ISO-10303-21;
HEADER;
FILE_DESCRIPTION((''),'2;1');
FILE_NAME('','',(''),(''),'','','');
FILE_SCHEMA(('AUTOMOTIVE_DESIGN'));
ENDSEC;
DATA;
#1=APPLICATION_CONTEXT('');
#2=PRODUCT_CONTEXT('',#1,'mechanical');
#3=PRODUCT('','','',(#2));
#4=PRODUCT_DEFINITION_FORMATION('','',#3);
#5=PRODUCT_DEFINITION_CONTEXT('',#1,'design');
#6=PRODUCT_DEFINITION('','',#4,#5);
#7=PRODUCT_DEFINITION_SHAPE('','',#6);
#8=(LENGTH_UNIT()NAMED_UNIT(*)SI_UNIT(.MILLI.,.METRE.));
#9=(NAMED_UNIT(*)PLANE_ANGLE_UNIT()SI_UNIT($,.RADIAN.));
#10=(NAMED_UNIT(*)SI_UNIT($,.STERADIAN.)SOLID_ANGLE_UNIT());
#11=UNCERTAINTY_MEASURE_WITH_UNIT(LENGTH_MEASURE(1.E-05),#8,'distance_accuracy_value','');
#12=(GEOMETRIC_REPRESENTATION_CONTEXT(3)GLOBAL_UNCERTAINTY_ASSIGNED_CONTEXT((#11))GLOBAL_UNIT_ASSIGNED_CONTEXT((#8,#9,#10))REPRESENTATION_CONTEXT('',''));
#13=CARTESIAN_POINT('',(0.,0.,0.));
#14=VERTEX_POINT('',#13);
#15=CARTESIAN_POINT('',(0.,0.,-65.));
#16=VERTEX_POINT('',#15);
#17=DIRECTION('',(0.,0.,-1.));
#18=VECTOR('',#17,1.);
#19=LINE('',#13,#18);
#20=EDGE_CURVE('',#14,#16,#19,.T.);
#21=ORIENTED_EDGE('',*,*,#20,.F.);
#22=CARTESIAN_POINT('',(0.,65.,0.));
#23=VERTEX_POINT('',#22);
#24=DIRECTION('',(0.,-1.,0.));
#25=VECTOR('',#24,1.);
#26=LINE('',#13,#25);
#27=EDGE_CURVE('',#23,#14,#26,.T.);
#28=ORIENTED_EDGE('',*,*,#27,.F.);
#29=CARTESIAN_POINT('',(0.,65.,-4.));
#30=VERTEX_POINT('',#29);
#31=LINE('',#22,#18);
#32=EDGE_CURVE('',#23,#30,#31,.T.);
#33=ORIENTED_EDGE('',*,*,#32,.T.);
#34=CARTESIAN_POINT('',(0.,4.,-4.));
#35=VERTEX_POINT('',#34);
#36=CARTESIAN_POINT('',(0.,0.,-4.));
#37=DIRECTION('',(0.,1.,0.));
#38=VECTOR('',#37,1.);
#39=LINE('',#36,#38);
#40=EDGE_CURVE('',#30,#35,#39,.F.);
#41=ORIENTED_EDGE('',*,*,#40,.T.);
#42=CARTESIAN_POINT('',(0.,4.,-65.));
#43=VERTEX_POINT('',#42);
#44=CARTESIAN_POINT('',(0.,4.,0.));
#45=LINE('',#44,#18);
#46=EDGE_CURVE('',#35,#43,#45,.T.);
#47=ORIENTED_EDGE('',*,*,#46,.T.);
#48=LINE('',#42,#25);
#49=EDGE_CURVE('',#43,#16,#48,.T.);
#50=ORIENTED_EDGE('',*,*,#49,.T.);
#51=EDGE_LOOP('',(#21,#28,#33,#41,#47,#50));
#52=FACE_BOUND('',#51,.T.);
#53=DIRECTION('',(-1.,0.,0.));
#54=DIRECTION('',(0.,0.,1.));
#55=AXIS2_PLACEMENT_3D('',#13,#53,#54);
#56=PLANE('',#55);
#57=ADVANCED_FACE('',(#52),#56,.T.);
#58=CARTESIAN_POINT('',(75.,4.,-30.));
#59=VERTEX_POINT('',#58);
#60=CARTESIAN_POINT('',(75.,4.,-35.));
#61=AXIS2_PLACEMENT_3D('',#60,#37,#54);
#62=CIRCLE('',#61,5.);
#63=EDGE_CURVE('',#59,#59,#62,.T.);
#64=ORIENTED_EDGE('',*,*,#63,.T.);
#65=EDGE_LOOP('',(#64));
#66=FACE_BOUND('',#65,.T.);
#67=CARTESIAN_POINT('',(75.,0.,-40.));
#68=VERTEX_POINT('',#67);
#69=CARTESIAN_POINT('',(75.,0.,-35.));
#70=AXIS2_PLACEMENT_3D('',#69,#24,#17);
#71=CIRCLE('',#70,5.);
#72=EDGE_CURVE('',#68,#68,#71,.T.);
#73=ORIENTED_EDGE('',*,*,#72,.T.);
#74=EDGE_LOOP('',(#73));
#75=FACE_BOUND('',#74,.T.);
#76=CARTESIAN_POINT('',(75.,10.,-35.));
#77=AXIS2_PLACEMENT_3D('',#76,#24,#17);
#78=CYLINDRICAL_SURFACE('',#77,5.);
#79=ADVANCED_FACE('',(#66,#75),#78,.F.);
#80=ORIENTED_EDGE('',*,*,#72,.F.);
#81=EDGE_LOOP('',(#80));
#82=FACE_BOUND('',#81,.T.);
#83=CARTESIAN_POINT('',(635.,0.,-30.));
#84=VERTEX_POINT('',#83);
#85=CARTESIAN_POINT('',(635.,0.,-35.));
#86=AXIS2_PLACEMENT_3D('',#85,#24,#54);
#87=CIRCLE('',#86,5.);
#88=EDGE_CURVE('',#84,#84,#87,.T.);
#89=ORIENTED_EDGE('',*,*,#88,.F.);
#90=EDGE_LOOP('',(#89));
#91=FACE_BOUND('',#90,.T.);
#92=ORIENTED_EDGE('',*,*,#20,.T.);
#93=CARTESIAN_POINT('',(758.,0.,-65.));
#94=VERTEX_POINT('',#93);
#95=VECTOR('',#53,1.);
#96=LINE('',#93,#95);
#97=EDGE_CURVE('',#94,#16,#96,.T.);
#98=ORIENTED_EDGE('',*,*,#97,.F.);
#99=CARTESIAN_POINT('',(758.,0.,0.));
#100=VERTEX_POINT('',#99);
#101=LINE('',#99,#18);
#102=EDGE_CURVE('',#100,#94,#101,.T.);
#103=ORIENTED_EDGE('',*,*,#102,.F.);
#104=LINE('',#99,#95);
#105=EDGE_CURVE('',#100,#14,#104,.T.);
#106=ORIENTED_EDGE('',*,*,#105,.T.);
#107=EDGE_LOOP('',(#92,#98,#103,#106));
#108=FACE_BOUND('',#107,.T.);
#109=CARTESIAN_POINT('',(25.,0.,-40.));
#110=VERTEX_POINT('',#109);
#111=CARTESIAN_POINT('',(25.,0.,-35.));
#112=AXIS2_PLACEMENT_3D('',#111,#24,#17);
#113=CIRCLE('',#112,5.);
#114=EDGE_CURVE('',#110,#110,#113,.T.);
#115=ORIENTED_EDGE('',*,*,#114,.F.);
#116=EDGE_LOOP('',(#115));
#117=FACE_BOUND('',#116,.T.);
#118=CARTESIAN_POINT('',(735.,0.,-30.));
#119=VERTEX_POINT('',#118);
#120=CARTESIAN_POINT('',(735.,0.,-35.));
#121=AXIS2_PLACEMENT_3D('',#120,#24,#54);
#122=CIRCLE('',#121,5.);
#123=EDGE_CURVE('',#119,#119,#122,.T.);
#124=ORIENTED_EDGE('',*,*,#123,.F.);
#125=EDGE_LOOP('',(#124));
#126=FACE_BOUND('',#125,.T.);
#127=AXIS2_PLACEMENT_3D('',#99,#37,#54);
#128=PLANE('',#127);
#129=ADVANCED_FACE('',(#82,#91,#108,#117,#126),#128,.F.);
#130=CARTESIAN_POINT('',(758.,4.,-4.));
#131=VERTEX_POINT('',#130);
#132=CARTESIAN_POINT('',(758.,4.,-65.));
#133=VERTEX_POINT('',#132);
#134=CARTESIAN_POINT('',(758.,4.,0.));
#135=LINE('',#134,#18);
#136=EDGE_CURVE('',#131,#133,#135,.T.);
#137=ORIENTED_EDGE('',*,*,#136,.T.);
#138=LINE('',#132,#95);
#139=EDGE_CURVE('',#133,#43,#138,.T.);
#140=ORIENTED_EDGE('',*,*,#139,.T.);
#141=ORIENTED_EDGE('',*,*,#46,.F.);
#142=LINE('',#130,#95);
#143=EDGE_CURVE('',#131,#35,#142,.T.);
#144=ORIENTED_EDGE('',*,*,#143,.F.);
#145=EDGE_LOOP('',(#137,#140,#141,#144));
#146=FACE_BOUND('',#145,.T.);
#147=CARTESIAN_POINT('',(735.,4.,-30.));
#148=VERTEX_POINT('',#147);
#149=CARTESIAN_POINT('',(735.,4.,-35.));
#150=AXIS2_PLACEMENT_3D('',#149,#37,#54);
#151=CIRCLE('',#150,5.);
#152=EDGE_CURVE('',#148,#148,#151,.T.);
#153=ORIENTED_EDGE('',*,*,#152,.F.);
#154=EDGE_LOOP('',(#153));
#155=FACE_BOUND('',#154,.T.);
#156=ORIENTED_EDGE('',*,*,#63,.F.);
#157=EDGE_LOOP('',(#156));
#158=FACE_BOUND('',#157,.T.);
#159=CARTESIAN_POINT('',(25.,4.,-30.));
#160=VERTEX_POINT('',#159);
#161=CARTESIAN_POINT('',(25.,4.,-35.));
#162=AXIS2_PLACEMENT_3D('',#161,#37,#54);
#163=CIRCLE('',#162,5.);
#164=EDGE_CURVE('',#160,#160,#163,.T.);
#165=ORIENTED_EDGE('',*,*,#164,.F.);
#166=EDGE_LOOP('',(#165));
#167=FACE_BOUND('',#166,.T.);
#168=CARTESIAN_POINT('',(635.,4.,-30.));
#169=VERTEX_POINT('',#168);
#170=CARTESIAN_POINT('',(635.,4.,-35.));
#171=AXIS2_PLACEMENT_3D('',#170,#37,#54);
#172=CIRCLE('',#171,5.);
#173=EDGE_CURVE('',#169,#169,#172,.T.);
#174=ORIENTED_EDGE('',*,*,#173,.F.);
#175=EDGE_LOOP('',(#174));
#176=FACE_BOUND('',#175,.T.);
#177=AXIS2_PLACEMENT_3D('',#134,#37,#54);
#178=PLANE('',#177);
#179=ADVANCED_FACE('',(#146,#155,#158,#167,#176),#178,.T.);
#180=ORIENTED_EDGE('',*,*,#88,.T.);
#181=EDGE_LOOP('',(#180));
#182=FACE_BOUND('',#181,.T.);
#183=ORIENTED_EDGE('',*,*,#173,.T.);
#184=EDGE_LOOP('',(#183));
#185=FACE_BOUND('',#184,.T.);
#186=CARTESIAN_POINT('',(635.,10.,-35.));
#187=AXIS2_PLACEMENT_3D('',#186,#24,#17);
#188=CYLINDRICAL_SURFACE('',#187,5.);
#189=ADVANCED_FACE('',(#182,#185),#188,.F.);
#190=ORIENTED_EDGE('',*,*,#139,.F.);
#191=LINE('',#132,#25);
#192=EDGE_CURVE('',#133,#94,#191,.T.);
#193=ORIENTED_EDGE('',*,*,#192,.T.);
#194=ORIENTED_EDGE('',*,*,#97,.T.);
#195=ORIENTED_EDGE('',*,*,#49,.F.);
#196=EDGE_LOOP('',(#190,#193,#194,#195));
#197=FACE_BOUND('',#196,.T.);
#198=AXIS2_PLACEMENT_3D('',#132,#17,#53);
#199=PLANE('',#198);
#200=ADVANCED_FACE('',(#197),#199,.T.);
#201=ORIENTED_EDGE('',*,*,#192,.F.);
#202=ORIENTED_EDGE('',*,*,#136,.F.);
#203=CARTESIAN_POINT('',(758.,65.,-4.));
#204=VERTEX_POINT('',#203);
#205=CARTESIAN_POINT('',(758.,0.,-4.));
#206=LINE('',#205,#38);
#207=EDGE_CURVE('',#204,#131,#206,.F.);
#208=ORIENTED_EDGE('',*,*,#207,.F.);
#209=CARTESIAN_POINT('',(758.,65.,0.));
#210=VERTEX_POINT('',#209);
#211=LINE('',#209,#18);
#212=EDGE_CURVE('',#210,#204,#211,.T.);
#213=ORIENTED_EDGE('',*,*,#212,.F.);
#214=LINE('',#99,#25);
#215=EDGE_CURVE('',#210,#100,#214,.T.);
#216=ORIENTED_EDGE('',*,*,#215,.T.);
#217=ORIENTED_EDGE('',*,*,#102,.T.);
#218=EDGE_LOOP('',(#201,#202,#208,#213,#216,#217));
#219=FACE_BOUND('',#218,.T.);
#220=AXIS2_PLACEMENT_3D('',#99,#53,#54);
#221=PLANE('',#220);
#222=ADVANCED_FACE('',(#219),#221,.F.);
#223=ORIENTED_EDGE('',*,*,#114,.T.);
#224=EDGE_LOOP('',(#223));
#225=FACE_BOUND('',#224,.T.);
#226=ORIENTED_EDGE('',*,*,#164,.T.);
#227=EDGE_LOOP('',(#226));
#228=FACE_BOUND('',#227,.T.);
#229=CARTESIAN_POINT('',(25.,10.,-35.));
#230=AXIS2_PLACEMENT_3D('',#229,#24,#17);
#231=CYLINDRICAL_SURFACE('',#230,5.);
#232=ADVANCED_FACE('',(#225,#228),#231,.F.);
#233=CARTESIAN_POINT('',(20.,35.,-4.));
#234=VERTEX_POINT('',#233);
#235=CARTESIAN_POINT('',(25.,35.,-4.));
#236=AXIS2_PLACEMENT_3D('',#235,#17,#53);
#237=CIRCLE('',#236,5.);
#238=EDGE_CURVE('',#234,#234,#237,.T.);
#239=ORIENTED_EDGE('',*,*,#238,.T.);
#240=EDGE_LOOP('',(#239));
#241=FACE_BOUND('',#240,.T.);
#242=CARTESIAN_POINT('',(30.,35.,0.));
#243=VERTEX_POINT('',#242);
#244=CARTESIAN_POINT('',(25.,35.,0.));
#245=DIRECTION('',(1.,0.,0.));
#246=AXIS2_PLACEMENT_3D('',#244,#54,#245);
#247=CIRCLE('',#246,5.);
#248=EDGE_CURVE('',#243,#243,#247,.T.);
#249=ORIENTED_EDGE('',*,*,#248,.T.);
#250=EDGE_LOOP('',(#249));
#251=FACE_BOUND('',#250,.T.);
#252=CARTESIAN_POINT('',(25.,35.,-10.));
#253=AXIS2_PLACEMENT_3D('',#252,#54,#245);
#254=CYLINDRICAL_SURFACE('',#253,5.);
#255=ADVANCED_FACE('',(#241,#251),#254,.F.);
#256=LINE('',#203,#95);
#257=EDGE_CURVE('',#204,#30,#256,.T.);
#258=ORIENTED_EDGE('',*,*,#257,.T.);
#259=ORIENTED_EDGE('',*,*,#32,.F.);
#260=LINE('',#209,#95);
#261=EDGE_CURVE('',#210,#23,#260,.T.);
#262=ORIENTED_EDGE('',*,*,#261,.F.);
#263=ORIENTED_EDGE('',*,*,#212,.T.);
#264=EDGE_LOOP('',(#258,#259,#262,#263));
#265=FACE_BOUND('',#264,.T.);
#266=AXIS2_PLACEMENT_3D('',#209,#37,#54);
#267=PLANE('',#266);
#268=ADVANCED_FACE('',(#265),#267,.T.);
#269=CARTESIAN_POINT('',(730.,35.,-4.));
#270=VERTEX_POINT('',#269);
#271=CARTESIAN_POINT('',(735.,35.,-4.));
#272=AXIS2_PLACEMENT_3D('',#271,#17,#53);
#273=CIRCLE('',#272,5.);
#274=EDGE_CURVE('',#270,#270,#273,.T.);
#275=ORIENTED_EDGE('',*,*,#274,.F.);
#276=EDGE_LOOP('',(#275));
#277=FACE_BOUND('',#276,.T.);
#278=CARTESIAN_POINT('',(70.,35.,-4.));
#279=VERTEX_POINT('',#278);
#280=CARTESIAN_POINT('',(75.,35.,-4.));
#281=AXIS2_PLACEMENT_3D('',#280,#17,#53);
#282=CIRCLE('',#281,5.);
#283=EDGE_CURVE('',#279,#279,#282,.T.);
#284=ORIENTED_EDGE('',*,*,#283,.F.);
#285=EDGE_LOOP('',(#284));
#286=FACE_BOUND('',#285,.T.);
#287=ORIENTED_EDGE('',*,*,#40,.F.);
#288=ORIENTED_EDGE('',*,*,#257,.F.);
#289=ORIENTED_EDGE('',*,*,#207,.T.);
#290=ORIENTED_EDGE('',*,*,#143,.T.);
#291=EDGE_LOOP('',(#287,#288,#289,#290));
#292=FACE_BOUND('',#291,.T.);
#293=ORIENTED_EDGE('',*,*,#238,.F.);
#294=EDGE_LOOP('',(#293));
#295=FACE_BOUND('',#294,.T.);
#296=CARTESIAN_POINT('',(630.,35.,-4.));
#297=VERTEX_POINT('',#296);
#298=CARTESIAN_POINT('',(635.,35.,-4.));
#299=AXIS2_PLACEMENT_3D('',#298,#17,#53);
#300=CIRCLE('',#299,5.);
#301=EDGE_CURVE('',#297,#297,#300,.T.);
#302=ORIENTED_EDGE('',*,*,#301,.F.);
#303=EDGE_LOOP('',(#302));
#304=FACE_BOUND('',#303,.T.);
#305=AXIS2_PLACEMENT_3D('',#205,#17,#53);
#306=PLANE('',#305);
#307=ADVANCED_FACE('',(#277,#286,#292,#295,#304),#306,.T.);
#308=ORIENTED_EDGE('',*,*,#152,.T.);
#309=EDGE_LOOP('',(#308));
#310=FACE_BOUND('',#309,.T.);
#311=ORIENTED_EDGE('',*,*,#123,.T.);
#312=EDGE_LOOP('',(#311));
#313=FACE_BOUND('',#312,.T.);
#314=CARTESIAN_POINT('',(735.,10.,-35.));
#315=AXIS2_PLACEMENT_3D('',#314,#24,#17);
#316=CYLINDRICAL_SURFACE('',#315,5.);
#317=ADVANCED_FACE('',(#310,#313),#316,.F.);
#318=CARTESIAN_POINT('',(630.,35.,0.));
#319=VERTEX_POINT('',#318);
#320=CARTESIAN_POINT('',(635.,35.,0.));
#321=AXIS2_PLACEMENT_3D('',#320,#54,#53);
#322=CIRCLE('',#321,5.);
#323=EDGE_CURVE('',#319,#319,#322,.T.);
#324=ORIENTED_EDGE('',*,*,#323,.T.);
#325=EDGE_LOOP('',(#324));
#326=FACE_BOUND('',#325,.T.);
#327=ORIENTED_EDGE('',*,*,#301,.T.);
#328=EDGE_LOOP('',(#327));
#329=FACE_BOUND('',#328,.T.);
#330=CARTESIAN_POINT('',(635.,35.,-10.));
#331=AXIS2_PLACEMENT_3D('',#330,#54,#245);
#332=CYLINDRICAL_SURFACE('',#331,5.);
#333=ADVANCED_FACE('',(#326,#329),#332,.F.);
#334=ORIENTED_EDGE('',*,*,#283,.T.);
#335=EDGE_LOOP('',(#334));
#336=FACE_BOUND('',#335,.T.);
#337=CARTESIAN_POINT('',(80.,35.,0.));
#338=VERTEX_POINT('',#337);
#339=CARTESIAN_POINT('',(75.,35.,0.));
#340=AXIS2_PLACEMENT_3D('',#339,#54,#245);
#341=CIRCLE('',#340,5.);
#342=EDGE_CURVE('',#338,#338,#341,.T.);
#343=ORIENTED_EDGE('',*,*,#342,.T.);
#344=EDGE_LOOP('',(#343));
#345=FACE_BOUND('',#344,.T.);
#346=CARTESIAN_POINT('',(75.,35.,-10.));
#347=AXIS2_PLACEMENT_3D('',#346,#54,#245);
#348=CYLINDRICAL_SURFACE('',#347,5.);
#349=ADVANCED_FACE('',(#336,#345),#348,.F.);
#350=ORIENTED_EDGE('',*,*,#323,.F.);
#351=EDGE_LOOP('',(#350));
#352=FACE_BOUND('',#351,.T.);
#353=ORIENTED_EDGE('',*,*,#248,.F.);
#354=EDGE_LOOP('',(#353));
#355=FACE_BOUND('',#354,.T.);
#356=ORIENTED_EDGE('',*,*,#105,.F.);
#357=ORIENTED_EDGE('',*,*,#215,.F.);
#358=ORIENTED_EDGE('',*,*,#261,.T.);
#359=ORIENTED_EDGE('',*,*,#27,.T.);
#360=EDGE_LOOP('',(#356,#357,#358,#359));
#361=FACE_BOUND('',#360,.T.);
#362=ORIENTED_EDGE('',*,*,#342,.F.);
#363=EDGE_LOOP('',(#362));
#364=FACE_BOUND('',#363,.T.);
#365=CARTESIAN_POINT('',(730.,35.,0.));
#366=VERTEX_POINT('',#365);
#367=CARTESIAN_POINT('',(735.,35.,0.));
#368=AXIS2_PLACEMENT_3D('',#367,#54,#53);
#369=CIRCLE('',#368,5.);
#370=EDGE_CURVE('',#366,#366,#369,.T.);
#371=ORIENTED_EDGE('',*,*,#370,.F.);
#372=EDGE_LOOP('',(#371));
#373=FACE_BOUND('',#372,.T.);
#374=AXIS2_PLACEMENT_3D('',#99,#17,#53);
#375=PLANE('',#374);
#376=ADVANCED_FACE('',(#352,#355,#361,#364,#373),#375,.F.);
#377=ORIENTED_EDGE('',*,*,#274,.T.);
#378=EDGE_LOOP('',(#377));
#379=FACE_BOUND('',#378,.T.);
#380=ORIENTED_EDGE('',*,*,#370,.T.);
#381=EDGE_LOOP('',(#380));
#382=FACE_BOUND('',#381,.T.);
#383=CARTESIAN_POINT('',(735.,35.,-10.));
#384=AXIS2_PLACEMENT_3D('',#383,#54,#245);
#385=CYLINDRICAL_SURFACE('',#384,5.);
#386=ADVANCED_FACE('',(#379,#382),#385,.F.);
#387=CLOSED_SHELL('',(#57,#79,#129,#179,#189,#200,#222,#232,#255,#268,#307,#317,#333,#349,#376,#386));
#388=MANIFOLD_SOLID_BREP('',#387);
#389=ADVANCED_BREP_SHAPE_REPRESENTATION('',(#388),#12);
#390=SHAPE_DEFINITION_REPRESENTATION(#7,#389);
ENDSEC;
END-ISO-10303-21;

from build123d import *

# Parameters (mm, degrees)
EXTRUDE_1_DEPTH     = 758
SKETCH_2_R          = 5
CUT_EXTRUDE_1_DEPTH = 10
SKETCH_3_R          = 5
CUT_EXTRUDE_2_DEPTH = 10


with BuildPart() as part:
    # Эскиз1 → Вытянуть-Тонкостенный1 (new body)
    with BuildSketch(Plane(origin=(0, 0, 0), x_dir=(0, 0, -1), z_dir=(1, 0, 0))):
        Polygon((65, 0), (0, 0), (0, 65), (4, 65), (4, 4), (65, 4), align=None)
    extrude(amount=EXTRUDE_1_DEPTH)

    # Эскиз2 → Вырез-Вытянуть1 (cut)
    with BuildSketch(Plane.XY):
        with Locations((25, 35)):
            Circle(SKETCH_2_R)
        with Locations((75, 35)):
            Circle(SKETCH_2_R)
        with Locations((735, 35)):
            Circle(SKETCH_2_R)
        with Locations((635, 35)):
            Circle(SKETCH_2_R)
    extrude(amount=-CUT_EXTRUDE_1_DEPTH, mode=Mode.SUBTRACT)

    # Эскиз3 → Вырез-Вытянуть2 (cut)
    with BuildSketch(Plane.XZ):
        with Locations((25, -35)):
            Circle(SKETCH_3_R)
        with Locations((75, -35)):
            Circle(SKETCH_3_R)
        with Locations((735, -35)):
            Circle(SKETCH_3_R)
        with Locations((635, -35)):
            Circle(SKETCH_3_R)
    extrude(amount=-CUT_EXTRUDE_2_DEPTH, mode=Mode.SUBTRACT)


solid = part.part
